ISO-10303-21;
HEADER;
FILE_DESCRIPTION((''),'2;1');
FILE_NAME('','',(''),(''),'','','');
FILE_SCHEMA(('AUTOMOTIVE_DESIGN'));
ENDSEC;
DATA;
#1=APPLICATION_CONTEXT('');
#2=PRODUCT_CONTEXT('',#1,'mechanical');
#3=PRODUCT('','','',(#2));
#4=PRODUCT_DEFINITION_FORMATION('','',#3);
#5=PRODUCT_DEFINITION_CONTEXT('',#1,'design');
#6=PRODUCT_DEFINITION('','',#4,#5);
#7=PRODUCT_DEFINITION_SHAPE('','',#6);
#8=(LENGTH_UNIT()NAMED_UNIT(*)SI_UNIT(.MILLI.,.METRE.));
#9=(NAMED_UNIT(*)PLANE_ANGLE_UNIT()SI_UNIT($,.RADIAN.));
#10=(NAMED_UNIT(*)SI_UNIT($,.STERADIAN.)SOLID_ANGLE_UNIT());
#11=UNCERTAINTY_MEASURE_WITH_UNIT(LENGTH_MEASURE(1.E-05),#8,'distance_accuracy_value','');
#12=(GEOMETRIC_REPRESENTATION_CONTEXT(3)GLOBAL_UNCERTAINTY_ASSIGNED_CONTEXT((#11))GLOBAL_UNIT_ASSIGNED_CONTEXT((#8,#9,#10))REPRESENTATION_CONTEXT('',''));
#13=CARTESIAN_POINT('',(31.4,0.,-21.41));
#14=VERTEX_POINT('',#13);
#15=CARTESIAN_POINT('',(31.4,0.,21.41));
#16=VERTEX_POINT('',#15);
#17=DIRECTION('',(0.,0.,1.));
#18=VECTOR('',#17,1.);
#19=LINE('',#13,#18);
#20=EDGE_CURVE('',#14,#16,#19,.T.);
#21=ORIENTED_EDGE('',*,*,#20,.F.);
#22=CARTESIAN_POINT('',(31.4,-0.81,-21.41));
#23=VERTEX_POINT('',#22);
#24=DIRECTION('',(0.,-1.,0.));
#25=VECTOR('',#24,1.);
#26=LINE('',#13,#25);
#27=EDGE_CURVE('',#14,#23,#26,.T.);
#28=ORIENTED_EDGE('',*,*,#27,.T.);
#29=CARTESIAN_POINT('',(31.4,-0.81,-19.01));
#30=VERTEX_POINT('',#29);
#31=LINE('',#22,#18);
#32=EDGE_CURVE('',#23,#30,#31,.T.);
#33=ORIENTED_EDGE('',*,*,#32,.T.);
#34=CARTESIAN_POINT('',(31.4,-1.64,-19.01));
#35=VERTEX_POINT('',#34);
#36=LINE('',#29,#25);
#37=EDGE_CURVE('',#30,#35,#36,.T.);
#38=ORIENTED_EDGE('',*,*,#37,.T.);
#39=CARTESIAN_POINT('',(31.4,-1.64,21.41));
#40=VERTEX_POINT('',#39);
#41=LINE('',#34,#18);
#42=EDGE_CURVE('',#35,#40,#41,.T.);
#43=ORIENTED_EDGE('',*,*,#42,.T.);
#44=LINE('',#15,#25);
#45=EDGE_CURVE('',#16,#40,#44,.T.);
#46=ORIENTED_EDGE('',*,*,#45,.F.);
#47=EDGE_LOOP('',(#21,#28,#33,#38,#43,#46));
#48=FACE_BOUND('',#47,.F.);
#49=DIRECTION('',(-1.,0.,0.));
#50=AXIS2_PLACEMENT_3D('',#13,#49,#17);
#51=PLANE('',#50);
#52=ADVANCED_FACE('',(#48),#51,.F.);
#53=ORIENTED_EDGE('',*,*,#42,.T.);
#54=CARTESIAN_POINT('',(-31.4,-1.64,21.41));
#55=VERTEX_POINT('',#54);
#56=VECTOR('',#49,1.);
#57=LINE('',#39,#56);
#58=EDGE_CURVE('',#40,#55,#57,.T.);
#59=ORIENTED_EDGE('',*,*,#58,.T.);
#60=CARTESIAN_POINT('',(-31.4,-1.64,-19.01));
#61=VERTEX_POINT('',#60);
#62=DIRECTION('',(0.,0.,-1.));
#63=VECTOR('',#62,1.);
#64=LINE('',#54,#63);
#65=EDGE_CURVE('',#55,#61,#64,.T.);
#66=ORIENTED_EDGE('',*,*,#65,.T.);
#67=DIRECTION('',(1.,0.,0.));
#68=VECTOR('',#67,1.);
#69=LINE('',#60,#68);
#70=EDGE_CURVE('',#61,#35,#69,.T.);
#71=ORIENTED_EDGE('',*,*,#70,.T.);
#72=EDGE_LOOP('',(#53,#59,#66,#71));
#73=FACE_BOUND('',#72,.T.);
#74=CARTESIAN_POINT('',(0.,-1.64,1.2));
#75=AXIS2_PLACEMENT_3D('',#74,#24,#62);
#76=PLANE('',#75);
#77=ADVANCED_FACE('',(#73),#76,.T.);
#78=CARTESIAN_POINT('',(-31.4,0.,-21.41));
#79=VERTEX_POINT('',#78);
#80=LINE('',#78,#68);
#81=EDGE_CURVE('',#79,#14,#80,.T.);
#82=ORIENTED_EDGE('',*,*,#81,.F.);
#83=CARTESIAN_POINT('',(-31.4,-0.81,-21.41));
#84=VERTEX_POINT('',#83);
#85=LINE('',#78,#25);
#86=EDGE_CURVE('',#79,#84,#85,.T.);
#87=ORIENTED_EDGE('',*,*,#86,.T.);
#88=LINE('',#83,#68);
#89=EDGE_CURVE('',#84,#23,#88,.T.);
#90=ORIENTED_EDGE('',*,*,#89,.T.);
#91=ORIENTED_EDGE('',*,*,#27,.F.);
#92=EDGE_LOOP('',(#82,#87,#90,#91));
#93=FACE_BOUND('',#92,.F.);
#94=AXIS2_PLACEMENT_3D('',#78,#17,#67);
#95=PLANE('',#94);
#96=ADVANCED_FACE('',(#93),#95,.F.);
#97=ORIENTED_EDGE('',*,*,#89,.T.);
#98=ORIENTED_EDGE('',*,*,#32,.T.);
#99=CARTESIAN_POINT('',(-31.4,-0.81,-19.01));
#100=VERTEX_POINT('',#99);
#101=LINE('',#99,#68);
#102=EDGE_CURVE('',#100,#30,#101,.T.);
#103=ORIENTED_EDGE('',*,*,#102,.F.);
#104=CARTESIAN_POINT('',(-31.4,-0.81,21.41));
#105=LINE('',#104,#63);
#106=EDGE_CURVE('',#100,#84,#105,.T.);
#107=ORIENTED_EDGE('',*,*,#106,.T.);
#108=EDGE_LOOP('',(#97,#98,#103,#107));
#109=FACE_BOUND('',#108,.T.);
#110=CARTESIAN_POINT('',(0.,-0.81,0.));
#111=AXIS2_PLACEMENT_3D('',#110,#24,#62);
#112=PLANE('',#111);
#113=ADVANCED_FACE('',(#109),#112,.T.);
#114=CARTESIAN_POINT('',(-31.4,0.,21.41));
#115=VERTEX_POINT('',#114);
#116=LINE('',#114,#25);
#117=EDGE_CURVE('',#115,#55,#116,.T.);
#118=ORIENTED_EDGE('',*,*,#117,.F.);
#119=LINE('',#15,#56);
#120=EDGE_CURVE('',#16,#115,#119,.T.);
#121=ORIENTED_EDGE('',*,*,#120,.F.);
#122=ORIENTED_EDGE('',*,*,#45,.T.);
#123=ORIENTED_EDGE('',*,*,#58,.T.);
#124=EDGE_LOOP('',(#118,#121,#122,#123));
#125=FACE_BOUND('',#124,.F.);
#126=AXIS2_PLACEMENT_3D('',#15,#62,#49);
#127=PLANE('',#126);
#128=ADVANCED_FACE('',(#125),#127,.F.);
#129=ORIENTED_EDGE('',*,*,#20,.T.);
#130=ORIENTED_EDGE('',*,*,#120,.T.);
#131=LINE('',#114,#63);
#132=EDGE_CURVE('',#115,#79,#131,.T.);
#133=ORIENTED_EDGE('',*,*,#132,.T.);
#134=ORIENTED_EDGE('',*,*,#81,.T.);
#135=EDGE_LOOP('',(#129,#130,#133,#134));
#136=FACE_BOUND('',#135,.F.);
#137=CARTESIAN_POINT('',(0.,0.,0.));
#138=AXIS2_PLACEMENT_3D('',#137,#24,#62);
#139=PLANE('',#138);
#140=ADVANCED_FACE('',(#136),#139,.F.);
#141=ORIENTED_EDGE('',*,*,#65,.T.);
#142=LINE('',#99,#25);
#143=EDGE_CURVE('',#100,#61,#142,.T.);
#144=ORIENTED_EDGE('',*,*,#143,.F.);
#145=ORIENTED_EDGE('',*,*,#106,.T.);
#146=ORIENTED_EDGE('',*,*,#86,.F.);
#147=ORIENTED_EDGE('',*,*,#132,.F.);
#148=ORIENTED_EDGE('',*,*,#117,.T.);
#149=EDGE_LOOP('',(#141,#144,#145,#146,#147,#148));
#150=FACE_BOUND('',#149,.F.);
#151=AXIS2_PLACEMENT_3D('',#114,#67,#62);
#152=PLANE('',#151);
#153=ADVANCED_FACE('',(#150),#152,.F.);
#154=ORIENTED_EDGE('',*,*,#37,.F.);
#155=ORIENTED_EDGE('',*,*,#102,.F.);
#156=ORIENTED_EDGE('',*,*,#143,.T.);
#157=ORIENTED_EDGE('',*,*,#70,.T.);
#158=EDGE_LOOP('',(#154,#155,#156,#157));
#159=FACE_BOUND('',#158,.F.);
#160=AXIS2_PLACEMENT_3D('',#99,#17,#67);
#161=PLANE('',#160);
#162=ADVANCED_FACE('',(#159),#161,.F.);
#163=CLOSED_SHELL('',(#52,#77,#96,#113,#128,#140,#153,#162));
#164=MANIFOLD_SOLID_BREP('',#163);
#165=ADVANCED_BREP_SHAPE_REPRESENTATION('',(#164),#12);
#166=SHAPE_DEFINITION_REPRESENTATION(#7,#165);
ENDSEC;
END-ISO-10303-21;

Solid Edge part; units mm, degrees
sketch "Sketch1" plane through (0, 0, 0) normal (0, -1, 0) x (1, 0, 0)
  line L0 (31.4, -21.41) -> (31.4, 21.41)
  line L1 (31.4, 21.41) -> (-31.4, 21.41)
  line L2 (-31.4, 21.41) -> (-31.4, -21.41)
  line L3 (-31.4, -21.41) -> (31.4, -21.41)
extrude "Protrusion1" add sketch "Sketch1" along normal blind 0.81
sketch "Sketch2" plane through (0, -0.81, 0) normal (0, -1, 0) x (1, 0, 0)
  line L0 (-31.4, 21.41) -> (-31.4, -19.01)
  line L1 (-31.4, -19.01) -> (31.4, -19.01)
  line L2 (31.4, -19.01) -> (31.4, 21.41)
  line L3 (31.4, 21.41) -> (-31.4, 21.41)
extrude "ExtrudedProtrusion_3" add sketch "Sketch2" along normal blind 0.83
